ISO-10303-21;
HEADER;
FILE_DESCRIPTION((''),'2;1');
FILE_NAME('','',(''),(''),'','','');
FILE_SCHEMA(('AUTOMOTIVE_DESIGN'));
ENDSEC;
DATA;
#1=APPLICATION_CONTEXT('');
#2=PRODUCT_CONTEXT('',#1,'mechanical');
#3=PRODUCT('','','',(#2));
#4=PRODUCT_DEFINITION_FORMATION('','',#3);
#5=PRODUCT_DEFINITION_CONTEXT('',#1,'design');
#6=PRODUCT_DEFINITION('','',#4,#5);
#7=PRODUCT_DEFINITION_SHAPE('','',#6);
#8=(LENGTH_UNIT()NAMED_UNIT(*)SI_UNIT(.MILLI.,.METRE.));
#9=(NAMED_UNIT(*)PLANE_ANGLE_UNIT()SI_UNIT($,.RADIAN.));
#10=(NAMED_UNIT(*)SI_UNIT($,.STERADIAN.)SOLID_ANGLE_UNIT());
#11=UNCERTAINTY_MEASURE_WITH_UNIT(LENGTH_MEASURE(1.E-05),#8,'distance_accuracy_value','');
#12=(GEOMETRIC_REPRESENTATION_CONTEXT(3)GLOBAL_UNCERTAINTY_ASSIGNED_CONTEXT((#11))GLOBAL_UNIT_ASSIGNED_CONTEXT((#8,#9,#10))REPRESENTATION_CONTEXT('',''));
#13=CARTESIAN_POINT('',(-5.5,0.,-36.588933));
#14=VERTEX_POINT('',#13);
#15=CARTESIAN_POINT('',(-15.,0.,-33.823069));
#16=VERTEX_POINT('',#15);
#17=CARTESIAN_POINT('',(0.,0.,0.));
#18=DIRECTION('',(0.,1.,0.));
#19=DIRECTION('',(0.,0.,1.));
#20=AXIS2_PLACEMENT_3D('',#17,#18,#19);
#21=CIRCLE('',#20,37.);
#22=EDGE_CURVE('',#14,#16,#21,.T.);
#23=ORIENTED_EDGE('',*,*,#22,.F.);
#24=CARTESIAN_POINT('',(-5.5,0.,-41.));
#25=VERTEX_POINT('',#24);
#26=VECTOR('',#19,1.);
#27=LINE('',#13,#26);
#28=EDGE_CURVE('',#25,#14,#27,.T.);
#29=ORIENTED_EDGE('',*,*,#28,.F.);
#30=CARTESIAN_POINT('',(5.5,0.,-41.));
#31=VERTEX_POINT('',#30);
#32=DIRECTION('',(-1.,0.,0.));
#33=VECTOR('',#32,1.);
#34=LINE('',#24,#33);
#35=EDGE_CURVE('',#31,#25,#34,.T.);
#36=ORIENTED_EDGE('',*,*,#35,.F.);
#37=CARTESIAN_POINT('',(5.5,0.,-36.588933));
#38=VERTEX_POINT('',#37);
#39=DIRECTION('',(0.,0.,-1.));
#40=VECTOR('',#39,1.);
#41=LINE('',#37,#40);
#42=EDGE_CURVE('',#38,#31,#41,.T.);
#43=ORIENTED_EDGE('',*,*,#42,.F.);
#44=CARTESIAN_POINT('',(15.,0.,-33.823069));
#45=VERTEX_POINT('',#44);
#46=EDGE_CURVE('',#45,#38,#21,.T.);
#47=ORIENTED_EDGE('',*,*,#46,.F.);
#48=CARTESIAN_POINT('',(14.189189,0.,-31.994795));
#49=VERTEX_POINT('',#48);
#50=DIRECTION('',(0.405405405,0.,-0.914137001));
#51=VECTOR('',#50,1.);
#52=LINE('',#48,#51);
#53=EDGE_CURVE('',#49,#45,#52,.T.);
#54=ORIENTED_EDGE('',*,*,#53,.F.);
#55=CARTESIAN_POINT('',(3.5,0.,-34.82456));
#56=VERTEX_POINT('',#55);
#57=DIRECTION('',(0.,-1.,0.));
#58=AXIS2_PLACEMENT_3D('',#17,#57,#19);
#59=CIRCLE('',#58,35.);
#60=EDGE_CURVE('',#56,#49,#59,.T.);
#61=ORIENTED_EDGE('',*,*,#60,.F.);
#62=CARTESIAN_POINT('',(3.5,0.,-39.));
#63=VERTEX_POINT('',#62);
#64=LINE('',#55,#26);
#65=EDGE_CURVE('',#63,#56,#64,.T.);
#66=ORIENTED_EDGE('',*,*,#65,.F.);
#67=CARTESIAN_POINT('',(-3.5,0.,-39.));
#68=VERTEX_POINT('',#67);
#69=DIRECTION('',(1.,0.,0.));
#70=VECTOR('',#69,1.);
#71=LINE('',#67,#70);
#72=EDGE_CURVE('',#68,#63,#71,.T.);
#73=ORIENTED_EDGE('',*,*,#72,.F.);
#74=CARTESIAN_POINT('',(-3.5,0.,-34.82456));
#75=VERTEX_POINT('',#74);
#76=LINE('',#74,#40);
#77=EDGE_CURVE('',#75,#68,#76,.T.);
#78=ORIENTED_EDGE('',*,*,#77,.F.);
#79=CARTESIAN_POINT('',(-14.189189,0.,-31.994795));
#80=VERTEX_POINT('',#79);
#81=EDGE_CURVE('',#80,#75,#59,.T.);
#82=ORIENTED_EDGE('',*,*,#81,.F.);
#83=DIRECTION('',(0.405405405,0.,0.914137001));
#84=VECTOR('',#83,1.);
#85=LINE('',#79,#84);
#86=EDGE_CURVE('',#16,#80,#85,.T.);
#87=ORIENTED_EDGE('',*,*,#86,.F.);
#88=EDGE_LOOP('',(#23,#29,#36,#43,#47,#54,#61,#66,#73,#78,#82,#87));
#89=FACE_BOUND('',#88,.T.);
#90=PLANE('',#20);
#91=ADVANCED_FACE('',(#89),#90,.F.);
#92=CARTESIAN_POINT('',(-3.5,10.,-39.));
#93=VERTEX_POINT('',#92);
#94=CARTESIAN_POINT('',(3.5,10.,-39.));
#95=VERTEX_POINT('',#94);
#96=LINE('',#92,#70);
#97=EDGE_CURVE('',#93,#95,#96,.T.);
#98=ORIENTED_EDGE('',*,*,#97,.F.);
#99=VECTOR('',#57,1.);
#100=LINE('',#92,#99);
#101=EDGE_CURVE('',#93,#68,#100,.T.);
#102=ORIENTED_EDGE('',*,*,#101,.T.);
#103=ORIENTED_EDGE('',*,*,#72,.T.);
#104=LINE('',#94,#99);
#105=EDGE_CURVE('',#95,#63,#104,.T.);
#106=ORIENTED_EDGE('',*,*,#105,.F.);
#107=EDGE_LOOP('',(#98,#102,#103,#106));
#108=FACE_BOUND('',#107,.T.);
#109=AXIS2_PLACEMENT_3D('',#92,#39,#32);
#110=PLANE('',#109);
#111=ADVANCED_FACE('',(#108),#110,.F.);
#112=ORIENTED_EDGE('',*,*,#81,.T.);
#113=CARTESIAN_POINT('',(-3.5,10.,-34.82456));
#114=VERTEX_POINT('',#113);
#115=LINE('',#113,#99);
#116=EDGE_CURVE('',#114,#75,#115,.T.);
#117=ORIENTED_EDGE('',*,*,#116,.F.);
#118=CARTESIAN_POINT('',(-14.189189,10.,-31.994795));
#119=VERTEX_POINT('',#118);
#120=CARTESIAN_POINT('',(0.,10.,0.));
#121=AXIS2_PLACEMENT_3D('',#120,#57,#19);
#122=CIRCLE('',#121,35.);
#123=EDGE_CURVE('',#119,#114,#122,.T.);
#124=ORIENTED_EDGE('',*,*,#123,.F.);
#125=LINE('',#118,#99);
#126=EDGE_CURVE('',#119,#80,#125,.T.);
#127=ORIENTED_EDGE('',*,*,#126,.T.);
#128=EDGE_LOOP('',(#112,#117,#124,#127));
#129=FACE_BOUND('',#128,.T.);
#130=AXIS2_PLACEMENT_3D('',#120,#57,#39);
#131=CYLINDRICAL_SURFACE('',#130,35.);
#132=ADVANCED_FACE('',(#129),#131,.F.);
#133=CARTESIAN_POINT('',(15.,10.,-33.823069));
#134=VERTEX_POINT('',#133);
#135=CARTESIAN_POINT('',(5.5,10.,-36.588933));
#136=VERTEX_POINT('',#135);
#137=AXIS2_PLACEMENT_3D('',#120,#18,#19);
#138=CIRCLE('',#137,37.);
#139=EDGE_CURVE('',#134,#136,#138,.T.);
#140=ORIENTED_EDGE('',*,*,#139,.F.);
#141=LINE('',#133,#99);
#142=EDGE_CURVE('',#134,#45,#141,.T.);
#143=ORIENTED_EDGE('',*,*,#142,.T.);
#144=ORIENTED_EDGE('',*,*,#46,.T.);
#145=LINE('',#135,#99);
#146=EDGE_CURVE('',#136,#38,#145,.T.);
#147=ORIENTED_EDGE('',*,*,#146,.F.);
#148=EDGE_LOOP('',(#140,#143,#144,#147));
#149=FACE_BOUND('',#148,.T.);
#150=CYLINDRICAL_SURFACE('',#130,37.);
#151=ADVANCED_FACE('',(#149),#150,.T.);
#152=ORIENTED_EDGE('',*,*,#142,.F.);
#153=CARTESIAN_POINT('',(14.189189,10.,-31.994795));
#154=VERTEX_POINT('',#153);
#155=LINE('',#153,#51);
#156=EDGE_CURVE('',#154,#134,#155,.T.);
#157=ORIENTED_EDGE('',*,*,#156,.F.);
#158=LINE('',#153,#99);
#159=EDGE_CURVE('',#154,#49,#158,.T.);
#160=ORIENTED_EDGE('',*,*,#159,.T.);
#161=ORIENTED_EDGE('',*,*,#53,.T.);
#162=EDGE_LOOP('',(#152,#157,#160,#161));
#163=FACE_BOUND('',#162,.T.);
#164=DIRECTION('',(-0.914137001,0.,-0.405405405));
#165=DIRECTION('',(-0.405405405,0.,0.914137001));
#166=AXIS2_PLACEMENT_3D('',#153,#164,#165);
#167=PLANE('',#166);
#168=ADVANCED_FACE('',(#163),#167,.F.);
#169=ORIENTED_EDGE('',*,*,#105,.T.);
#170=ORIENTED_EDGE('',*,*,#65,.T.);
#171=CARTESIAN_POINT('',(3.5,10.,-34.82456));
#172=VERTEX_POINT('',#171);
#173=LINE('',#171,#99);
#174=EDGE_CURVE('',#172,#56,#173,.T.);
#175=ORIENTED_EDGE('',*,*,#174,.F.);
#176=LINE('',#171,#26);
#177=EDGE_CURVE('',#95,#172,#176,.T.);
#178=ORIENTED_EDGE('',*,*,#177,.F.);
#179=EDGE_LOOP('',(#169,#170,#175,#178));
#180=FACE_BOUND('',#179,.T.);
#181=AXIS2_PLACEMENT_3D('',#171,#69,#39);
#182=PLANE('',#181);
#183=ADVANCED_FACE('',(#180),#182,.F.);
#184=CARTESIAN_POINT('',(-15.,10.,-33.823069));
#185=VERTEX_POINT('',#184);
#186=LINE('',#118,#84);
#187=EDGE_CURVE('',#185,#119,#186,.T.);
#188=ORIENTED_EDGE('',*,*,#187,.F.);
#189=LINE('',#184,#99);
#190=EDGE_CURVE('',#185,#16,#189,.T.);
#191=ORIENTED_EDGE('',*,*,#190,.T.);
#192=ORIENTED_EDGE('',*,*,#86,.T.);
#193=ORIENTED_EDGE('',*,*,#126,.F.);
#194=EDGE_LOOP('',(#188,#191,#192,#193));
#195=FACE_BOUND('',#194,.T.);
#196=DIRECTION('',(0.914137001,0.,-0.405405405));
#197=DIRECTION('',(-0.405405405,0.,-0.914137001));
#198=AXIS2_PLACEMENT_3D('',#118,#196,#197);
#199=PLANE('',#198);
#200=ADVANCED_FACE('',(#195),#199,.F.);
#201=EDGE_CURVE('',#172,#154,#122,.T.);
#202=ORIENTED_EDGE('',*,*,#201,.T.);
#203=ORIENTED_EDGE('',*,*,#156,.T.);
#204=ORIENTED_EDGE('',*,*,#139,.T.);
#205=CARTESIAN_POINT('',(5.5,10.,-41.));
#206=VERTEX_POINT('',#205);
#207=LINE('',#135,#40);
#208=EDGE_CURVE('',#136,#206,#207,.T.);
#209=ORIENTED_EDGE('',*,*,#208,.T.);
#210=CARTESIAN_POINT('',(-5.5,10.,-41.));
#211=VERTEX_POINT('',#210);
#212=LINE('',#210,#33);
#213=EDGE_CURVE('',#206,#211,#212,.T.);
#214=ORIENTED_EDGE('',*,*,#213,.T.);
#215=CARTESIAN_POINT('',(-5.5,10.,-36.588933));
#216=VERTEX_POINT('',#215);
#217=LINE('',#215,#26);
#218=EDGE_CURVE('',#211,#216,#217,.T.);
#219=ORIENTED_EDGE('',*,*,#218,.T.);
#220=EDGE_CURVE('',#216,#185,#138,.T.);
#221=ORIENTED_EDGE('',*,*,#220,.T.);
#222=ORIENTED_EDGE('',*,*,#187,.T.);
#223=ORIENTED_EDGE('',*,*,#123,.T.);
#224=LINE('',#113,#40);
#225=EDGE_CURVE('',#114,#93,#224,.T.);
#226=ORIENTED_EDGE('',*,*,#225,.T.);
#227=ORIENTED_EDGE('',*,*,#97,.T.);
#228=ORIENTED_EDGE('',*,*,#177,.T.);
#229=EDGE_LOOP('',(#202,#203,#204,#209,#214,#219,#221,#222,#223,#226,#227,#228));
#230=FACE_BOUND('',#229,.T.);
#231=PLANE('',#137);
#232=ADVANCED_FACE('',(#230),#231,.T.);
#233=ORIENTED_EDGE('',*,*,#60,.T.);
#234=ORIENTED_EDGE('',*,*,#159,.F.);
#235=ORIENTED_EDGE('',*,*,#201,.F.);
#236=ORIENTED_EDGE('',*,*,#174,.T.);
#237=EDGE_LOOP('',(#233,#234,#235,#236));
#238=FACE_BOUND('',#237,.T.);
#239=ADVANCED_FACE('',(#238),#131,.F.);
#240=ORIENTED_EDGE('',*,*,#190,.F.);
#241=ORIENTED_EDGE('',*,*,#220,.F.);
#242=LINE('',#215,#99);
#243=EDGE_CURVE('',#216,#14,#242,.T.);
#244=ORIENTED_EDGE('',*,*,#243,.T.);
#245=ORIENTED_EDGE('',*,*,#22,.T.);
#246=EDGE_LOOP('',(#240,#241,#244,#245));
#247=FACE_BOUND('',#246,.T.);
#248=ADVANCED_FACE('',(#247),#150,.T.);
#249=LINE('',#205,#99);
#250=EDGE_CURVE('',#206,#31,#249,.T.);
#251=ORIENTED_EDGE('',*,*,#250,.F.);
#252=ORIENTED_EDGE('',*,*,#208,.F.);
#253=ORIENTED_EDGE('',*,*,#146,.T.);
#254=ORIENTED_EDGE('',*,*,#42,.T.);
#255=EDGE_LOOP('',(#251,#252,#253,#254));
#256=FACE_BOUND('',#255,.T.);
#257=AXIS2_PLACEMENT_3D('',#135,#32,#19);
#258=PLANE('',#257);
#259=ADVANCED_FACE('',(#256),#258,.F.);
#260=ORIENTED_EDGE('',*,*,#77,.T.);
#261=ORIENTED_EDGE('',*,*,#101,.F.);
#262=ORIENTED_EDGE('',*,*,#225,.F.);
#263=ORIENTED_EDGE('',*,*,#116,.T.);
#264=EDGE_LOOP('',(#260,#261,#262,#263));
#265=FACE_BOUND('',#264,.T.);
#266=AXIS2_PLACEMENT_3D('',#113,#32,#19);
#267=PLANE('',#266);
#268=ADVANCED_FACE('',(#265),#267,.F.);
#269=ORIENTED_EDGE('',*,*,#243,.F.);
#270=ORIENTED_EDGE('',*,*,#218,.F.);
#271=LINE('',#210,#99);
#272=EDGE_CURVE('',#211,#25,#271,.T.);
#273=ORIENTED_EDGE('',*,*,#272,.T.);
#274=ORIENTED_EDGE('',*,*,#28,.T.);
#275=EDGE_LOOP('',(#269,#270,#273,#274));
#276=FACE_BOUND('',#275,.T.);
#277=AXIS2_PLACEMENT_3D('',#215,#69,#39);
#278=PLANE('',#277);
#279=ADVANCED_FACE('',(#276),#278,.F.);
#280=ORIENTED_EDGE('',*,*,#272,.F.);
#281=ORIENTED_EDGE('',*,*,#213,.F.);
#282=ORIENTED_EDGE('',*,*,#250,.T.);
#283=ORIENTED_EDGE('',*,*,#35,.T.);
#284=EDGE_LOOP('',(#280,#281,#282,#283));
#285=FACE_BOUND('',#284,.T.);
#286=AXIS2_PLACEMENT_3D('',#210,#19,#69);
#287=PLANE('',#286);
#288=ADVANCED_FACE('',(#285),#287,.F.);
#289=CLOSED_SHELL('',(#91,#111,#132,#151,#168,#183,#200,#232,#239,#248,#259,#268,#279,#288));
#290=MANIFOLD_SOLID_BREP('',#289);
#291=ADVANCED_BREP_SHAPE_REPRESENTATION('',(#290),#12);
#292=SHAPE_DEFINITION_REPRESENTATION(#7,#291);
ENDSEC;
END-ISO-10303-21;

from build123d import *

# Parameters (mm, degrees)
BOSS_EXTRUDE1_DEPTH = 10


with BuildPart() as part:
    # Sketch1 → Boss-Extrude1 (new body)
    with BuildSketch(Plane(origin=(0, 0, 0), x_dir=(1, 0, 0), z_dir=(0, 1, 0))):
        with BuildLine():
            Line((-14.189189189, 31.994795048), (-15, 33.823069051))
            ThreePointArc((-15, 33.823069051), (-10.342871966, 35.524991196), (-5.5, 36.588932753))
            Line((-5.5, 36.588932753), (-5.5, 41))
            Line((-5.5, 41), (5.5, 41))
            Line((5.5, 41), (5.5, 36.588932753))
            ThreePointArc((5.5, 36.588932753), (10.342871966, 35.524991196), (15, 33.823069051))
            Line((15, 33.823069051), (14.189189189, 31.994795048))
            ThreePointArc((14.189189189, 31.994795048), (8.957050094, 33.834468425), (3.5, 34.824560299))
            Line((3.5, 34.824560299), (3.5, 39))
            Line((3.5, 39), (-3.5, 39))
            Line((-3.5, 39), (-3.5, 34.824560299))
            ThreePointArc((-3.5, 34.824560299), (-8.957050094, 33.834468425), (-14.189189189, 31.994795048))
        make_face()
    extrude(amount=BOSS_EXTRUDE1_DEPTH)


solid = part.part
